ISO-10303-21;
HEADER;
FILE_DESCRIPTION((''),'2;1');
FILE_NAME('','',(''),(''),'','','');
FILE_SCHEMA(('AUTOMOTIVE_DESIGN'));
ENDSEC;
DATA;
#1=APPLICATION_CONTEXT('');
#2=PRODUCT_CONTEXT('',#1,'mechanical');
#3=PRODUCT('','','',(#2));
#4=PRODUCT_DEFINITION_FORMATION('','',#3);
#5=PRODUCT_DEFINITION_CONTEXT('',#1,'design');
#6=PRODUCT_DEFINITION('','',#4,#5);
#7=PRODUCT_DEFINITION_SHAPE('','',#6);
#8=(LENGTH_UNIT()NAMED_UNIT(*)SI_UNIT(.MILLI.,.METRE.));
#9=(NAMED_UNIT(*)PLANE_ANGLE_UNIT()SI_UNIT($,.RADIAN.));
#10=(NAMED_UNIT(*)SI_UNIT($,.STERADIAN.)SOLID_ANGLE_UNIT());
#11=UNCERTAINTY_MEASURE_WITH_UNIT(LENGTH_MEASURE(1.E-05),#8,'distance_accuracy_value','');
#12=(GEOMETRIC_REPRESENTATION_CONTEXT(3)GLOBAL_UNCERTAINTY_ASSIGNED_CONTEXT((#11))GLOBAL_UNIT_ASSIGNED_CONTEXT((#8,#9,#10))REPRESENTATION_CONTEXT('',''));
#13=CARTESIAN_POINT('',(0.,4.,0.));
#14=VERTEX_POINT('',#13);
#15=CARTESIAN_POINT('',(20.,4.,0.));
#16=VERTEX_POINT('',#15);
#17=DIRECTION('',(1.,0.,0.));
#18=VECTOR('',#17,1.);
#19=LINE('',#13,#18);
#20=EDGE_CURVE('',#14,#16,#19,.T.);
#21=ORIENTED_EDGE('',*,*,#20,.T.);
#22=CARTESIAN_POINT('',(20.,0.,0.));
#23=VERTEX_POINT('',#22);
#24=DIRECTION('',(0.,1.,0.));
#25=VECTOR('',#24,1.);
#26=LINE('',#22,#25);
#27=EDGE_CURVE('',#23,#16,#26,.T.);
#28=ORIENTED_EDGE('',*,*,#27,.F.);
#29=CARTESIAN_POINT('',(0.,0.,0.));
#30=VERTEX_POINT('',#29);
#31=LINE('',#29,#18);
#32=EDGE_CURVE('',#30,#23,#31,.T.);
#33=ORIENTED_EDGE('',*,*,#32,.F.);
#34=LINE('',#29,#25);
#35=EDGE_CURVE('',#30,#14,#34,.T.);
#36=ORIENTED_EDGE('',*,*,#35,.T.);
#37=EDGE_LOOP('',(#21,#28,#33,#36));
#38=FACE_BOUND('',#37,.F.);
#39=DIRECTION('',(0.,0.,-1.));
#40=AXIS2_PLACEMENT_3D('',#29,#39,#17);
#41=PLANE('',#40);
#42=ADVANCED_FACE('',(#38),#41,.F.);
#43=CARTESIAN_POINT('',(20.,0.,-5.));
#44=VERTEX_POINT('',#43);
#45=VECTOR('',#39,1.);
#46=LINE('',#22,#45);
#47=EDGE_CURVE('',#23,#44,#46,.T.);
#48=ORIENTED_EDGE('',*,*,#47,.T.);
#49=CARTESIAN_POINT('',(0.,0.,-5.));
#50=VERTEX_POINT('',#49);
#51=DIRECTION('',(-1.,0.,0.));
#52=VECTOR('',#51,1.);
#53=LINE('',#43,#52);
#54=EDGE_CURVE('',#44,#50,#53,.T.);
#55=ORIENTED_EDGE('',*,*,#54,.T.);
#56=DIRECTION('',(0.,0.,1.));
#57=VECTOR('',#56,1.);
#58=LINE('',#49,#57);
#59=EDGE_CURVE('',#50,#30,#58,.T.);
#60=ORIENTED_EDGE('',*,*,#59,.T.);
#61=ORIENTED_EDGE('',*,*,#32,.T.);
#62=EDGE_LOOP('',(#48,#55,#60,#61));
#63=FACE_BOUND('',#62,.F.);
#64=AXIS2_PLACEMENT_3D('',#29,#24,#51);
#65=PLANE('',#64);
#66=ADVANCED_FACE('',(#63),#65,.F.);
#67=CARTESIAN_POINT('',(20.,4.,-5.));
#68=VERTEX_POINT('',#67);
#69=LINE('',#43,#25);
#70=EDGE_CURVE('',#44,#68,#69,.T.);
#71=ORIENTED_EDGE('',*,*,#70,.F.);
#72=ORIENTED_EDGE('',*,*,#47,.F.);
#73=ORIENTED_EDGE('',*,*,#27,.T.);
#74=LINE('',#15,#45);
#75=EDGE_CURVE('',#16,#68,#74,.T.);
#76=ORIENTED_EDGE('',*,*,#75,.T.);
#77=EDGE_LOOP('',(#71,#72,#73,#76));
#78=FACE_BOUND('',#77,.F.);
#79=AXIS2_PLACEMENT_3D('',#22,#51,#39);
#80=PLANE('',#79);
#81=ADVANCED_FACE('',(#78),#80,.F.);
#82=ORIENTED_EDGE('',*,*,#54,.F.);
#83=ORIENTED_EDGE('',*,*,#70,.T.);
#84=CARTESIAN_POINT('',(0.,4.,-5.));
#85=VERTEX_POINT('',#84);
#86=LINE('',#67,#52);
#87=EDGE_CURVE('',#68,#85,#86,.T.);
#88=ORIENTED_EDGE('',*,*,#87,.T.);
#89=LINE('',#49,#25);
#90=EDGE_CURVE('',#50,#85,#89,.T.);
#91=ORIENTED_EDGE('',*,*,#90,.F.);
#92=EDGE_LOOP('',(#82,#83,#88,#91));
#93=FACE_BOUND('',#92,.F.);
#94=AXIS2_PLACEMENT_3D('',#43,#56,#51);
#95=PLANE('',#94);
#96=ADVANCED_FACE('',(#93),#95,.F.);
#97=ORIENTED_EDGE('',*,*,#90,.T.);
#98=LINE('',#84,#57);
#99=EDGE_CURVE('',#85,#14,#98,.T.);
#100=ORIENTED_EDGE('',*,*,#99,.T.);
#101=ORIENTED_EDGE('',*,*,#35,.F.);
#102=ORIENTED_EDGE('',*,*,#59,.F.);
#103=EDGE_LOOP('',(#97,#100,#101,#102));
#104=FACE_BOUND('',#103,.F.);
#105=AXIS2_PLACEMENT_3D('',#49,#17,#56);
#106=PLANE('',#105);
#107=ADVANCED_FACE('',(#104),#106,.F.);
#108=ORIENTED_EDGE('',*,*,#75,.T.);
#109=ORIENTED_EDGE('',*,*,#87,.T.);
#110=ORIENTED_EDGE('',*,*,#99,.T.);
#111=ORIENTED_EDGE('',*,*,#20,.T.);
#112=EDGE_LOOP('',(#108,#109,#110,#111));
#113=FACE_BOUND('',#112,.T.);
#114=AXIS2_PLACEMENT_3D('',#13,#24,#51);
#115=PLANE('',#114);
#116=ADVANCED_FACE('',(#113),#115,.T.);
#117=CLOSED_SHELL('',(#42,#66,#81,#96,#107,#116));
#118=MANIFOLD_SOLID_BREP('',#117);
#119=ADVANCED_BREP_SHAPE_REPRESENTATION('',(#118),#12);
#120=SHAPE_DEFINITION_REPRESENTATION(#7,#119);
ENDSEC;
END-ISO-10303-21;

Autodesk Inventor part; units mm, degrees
ref_plane "YZ Plane" through (0, 0, 0) normal (1, 0, 0) x (0, 1, 0)
ref_plane "XZ Plane" through (0, 0, 0) normal (0, 1, 0) x (-1, 0, 0)
ref_plane "XY Plane" through (0, 0, 0) normal (0, 0, 1) x (1, 0, 0)
sketch "Sketch1" plane through (0, 0, 0) normal (0, 1, 0) x (-1, 0, 0)
  line L0 (0, 0) -> (-20, 0)
  line L1 (-20, 0) -> (-20, -5)
  line L2 (-20, -5) -> (0, -5)
  line L3 (0, -5) -> (0, 0)
  dimension "d0" = 20
  dimension "d1" = 5
extrude "Extrusion1" add sketch "Sketch1" along normal blind 4
properties part number "4mm"
